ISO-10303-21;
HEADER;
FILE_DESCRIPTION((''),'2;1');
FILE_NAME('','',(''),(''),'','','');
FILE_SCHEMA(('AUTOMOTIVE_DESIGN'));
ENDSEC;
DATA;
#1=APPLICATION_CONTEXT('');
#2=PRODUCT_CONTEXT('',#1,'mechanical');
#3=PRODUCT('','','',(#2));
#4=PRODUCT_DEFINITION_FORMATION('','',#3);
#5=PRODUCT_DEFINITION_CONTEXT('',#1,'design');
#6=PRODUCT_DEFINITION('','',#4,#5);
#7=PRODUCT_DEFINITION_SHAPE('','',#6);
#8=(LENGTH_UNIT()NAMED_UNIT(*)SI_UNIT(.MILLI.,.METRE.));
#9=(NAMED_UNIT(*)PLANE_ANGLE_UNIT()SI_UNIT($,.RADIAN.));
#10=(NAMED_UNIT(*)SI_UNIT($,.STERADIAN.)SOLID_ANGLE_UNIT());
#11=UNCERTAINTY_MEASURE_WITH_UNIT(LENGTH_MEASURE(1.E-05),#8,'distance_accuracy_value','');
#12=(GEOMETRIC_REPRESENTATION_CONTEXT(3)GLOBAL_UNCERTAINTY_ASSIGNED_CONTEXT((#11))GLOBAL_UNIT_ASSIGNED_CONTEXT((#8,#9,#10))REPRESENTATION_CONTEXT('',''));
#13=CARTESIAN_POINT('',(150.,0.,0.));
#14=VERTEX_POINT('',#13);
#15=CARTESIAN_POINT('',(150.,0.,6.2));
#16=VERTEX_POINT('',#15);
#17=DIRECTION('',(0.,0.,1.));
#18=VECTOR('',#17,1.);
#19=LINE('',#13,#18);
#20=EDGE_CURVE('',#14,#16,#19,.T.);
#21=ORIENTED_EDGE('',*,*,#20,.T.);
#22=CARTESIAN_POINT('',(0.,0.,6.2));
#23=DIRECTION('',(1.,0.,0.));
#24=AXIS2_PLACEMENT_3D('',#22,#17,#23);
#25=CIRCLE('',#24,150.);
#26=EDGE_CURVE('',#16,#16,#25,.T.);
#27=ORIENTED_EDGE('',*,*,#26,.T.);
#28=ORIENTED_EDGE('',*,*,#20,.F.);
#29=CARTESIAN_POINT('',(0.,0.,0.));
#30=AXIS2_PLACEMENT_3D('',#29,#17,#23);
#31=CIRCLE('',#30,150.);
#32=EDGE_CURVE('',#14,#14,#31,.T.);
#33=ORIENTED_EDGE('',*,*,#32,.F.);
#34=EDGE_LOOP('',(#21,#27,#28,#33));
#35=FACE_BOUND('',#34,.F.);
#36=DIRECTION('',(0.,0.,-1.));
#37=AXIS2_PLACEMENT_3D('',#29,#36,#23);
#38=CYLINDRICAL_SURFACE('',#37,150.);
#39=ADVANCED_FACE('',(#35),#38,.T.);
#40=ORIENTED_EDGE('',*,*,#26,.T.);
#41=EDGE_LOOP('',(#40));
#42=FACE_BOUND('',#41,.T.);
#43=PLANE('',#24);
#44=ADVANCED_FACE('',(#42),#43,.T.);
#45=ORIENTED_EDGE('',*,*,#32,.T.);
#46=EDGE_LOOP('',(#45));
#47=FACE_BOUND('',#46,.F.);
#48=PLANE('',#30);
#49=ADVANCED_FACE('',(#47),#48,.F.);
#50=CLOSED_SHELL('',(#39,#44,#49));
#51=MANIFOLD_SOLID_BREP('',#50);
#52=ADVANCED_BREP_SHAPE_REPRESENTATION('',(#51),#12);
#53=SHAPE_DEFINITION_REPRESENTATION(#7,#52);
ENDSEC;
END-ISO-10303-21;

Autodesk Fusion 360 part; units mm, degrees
sketch "Sketch1" plane through (0, 0, 0) normal (0, 0, 1) x (1, 0, 0)
  circle A0 centre (0, 0) radius 150
  dimension "d1" = 300
extrude "Extrude1" add sketch "Sketch1" along normal blind 6.2
sketch "Sketch2" plane through (0, 0, 0) normal (1, 0, 0) x (0, 1, 0)
  line L0 (0.0614, 434.8449) -> (0.0614, 436.2)
  line L1 (150, 6.2) -> (-150, 6.2)
  circle A0 centre (0.0614, 395.8449) radius 14
  line L2 (0.0614, 434.8449) -> (135.7194, 434.8449) construction
  line L3 (0.0614, 395.8449) -> (-38.9386, 395.8449) construction
  line L4 (0.0614, 395.8449) -> (39.0614, 395.8449) construction
  line L5 (39.8086, 391.7408) -> (110, 6.2)
  arc A1 (38.9735, 398.4618) -> (-38.9386, 395.8449) centre (0.0614, 395.8449) ccw
  arc A2 (38.9735, 398.4618) -> (39.8086, 391.7408) centre (98.8383, 402.4877) ccw
  line L6 (110, 6.2) -> (0, 6.2)
  dimension "d5" = 28
  dimension "d7" = 25
  dimension "d8" = 40
  dimension "d10" = 60
